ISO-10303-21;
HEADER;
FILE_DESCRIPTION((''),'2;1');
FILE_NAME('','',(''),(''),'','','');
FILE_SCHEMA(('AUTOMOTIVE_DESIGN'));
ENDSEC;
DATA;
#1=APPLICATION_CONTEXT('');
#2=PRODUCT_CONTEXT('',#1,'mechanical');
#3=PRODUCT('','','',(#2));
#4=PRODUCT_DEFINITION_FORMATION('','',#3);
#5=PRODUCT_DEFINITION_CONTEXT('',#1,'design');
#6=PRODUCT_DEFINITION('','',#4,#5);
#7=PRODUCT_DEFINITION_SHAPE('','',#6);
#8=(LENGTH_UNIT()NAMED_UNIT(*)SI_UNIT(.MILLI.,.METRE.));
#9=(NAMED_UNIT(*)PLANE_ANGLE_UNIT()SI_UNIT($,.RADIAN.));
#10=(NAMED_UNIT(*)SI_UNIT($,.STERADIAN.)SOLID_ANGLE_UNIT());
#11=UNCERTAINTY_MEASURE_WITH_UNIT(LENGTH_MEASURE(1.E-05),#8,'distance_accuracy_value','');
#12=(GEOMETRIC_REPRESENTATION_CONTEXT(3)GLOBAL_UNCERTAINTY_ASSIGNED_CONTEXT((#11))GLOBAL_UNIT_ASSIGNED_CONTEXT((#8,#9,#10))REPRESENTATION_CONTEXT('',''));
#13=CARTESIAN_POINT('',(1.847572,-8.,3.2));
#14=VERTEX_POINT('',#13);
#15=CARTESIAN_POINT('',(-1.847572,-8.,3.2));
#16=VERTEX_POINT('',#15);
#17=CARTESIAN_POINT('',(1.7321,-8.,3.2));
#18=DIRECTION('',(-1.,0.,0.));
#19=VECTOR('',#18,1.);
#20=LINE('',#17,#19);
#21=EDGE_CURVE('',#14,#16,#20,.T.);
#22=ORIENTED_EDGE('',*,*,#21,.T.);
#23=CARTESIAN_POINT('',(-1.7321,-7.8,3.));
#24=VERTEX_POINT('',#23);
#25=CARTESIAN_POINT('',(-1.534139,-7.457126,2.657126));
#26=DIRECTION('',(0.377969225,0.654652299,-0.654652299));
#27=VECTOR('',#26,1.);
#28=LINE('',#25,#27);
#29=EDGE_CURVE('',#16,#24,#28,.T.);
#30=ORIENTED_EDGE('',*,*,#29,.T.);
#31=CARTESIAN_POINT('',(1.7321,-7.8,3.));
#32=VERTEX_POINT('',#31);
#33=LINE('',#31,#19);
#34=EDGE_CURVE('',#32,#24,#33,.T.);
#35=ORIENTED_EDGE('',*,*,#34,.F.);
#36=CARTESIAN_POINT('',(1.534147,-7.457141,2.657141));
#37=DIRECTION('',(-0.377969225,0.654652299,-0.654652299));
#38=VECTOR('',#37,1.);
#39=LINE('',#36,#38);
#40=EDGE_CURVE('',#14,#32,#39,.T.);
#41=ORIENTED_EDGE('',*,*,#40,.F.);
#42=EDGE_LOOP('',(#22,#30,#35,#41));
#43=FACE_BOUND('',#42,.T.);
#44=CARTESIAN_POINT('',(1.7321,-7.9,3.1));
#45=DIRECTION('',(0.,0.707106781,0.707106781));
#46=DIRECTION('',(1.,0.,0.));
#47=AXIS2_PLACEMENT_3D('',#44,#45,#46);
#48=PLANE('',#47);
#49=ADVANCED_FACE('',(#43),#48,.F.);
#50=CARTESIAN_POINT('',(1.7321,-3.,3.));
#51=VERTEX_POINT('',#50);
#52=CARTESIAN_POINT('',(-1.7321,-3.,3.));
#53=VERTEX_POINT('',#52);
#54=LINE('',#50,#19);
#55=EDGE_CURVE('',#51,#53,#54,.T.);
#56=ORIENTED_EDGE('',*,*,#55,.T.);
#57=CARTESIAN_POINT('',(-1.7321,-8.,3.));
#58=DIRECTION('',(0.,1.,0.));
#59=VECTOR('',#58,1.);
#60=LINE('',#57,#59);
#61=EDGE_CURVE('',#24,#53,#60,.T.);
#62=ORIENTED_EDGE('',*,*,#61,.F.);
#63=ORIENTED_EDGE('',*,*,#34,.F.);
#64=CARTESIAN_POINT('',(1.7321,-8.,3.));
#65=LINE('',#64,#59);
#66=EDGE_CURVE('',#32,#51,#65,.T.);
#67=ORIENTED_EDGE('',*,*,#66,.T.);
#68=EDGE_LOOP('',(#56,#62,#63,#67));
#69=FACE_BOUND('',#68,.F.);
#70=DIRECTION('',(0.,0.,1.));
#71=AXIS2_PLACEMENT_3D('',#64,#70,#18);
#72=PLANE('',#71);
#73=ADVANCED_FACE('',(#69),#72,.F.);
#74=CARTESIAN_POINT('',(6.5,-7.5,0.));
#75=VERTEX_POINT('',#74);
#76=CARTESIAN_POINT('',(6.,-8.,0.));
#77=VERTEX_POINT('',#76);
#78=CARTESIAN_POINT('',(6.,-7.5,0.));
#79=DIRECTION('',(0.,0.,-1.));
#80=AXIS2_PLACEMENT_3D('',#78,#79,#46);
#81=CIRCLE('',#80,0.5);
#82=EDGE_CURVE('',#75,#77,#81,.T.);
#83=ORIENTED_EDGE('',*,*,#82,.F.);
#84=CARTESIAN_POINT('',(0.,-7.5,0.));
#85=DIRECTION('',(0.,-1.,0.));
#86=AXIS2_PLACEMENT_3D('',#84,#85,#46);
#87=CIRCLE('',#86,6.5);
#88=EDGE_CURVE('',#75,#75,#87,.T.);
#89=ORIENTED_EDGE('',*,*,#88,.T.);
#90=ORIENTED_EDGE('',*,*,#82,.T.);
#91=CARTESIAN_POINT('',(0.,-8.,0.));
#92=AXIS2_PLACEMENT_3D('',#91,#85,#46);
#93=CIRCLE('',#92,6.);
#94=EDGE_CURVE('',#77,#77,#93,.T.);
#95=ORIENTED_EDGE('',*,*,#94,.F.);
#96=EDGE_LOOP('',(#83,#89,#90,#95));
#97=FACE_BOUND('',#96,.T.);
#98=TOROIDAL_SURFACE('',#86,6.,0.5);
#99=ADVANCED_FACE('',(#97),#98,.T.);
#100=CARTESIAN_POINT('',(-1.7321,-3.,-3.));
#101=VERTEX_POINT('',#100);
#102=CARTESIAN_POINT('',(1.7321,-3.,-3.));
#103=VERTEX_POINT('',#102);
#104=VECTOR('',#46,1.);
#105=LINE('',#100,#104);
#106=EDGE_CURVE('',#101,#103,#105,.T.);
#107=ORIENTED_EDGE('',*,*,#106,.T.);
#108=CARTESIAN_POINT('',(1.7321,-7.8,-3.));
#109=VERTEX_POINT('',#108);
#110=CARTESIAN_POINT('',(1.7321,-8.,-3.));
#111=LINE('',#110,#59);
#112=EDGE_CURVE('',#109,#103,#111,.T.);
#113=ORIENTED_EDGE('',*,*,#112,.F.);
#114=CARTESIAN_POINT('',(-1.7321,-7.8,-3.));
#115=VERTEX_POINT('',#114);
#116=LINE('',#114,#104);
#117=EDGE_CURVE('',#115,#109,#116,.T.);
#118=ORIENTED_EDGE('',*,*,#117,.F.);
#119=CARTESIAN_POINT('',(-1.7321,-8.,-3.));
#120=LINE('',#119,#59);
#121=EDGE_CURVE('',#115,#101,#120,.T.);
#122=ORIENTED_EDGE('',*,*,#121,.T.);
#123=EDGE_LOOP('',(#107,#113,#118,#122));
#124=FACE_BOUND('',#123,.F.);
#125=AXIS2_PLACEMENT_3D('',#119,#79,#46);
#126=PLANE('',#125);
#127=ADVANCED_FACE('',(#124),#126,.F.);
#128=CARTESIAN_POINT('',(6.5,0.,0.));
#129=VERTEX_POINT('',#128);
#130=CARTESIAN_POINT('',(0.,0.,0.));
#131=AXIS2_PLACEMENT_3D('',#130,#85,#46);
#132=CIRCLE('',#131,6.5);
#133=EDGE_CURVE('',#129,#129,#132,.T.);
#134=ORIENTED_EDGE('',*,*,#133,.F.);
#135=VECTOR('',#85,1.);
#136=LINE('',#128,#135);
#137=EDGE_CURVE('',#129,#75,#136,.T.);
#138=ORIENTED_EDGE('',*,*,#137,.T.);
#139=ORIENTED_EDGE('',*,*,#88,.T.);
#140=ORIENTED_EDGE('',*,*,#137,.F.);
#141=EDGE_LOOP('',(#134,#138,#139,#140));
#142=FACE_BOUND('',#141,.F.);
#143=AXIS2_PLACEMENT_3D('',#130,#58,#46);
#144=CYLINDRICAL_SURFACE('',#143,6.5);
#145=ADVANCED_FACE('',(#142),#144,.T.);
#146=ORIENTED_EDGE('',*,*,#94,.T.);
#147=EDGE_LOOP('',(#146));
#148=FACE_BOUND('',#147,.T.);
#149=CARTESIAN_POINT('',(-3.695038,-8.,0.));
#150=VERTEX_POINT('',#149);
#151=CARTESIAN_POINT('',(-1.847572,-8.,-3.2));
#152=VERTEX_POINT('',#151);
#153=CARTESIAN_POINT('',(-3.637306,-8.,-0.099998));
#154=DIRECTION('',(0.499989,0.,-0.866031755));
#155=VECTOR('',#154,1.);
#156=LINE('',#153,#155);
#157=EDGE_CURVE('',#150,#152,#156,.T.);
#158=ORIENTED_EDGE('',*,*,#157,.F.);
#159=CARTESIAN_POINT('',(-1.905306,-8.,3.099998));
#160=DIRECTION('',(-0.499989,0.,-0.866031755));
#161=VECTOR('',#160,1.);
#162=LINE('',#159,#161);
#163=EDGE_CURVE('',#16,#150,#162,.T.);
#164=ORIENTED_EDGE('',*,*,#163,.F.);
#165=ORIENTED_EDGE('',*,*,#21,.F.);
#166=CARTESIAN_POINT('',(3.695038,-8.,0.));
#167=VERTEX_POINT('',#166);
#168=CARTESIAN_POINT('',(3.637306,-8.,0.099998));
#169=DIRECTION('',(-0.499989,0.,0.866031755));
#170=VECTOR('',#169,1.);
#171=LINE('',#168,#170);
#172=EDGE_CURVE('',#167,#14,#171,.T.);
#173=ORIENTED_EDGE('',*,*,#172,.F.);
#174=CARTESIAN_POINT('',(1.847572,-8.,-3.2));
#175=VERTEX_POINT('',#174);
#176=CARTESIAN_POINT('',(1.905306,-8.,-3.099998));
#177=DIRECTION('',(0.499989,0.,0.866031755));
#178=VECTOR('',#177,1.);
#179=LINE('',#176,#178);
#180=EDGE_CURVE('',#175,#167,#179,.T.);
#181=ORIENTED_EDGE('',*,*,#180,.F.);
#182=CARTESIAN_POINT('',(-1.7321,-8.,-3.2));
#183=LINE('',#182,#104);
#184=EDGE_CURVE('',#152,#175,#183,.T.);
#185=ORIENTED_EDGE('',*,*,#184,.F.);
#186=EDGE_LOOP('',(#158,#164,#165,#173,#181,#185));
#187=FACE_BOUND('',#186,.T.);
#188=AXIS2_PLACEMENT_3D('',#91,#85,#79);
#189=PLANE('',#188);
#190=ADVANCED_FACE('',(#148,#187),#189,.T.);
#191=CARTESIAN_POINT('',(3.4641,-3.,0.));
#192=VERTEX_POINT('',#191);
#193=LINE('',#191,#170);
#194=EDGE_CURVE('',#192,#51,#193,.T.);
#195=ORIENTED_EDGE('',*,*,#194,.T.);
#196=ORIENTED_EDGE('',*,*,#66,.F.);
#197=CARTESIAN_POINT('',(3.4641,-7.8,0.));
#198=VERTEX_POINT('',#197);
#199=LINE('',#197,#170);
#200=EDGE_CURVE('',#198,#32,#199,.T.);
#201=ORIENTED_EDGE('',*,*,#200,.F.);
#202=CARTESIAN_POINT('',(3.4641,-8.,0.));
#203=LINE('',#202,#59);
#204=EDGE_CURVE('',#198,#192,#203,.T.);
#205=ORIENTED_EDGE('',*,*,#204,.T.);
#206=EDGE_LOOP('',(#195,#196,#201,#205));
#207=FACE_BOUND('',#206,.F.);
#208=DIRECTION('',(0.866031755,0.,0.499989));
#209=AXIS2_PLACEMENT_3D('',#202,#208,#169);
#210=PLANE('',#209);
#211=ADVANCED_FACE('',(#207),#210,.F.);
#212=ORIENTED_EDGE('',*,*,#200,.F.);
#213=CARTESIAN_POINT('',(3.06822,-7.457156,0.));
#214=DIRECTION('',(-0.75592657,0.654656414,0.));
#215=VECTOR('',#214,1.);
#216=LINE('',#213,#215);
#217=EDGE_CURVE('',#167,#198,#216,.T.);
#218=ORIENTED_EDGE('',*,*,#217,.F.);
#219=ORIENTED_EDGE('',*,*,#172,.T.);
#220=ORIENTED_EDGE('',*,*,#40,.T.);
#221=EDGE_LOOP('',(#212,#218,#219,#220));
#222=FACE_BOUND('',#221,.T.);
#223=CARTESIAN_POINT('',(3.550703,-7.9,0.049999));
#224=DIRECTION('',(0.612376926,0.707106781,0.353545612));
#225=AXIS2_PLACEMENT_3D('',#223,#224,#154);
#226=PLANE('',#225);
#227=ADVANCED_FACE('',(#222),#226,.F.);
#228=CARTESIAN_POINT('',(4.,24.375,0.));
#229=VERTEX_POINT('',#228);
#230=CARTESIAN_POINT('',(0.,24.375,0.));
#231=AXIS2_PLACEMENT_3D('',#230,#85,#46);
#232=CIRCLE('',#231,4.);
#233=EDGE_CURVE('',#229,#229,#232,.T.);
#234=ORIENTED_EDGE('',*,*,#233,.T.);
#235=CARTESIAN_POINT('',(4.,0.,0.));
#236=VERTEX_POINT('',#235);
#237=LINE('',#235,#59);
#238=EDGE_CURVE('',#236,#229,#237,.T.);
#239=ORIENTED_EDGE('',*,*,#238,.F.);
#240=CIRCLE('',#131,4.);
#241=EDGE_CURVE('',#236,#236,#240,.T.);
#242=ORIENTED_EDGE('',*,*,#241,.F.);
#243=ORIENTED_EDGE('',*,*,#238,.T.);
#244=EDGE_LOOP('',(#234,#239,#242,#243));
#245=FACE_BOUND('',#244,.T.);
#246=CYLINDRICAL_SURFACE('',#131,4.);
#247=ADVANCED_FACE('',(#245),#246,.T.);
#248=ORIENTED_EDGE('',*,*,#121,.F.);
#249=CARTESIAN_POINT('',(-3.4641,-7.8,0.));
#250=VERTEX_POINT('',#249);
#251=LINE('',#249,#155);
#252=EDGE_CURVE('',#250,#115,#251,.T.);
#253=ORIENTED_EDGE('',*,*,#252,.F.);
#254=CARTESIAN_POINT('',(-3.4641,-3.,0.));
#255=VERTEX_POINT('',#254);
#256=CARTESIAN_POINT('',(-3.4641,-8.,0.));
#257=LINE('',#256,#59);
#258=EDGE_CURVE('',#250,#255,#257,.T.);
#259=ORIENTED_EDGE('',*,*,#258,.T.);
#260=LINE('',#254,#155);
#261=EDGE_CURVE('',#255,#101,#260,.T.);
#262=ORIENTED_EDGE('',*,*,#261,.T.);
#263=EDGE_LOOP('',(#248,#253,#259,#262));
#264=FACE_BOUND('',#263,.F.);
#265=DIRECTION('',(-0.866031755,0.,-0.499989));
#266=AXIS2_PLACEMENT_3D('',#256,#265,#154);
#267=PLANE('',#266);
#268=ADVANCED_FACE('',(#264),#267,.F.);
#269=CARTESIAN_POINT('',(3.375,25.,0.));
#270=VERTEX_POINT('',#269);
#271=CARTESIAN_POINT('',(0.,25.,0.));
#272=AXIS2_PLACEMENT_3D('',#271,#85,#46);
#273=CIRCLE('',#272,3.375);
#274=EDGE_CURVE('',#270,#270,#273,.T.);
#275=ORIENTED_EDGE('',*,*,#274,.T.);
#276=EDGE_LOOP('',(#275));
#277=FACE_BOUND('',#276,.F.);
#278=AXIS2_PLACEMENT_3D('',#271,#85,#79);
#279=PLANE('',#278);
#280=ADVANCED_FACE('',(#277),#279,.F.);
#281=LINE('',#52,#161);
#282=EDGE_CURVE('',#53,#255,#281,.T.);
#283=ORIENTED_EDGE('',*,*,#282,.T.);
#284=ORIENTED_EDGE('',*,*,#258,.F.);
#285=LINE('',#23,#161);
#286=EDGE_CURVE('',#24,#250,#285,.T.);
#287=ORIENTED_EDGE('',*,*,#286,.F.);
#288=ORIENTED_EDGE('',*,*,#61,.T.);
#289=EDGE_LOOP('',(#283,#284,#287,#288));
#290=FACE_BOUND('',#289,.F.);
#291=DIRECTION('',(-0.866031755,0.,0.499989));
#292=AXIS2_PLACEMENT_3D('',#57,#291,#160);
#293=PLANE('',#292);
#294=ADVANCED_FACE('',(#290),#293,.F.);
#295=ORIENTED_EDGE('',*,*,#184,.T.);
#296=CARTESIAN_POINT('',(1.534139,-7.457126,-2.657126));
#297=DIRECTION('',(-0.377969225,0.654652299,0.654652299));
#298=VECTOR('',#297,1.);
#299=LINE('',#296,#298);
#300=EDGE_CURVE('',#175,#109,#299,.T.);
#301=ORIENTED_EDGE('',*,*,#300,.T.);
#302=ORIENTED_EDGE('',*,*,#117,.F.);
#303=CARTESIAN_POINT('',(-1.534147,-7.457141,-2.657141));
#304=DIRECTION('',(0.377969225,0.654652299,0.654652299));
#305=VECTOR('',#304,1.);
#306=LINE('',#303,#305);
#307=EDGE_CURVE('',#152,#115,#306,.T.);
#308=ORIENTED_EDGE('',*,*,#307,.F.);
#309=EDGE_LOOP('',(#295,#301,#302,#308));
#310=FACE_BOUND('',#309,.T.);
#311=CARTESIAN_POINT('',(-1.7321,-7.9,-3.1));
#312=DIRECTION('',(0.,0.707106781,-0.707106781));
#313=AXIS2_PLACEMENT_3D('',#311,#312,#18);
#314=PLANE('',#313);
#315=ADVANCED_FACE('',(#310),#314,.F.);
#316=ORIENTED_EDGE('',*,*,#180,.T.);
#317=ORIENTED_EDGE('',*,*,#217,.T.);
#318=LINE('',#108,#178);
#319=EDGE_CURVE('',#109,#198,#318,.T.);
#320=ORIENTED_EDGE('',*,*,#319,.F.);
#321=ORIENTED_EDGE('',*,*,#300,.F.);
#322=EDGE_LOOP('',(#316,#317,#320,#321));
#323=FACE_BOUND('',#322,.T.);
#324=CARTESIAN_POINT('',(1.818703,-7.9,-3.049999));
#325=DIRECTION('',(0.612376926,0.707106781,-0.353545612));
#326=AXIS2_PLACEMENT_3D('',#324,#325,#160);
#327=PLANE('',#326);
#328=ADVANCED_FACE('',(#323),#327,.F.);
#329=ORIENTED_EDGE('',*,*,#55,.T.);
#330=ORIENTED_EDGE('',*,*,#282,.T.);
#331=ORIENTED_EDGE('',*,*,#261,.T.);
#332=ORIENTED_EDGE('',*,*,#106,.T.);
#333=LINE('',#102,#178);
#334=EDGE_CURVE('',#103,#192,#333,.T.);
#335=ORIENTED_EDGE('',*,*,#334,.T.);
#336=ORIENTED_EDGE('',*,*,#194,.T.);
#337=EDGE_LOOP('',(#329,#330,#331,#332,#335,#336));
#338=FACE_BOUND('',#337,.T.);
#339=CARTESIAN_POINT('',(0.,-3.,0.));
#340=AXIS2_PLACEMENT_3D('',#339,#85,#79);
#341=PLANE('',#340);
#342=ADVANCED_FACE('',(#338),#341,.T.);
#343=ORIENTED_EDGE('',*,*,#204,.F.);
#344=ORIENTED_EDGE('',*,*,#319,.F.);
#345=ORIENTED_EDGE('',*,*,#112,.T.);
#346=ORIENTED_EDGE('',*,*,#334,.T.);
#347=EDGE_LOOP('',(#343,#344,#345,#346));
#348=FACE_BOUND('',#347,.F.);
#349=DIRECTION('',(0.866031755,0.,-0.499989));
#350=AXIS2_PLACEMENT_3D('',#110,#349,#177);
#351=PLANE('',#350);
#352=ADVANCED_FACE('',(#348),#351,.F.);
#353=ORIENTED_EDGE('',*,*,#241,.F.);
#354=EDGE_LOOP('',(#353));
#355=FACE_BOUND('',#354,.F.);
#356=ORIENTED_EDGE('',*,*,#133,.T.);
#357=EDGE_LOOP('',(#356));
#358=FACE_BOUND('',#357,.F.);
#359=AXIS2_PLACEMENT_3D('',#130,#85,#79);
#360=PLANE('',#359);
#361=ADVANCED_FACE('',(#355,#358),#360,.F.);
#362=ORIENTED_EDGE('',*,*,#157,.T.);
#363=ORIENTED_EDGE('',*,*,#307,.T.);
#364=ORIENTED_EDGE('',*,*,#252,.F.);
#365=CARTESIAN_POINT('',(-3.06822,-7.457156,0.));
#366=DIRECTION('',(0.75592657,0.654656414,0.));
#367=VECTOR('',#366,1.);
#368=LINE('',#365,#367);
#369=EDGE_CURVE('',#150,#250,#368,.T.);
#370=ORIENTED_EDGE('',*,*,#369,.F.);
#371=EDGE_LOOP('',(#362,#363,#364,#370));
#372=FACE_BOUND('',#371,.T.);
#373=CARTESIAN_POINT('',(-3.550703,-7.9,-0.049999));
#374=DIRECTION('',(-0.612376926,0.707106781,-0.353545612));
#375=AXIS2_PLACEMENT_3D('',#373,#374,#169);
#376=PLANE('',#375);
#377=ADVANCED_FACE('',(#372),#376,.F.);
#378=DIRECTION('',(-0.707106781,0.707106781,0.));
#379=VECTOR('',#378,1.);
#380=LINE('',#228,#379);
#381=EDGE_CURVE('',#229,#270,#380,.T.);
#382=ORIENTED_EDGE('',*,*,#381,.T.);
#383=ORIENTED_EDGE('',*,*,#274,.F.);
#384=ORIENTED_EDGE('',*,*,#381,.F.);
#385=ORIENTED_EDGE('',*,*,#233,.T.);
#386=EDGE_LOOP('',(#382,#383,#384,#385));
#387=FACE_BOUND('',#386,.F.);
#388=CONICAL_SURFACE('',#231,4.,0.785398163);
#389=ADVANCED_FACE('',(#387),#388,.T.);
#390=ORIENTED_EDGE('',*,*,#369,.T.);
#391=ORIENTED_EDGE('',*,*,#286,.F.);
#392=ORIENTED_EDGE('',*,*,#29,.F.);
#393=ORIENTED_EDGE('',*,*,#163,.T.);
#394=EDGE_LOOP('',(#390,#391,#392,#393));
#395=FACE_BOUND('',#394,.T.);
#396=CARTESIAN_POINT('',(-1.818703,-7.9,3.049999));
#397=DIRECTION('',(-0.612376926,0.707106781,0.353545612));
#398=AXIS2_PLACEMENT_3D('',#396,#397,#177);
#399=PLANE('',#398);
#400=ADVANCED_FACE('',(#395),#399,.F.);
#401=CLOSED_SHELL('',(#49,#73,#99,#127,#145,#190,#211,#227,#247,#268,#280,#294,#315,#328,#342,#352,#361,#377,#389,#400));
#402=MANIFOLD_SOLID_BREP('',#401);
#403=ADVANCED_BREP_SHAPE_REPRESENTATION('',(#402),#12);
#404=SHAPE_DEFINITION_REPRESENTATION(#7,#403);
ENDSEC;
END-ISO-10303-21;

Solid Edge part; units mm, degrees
sketch "Sketch1" plane through (0, 0, 0) normal (0, -1, 0) x (1, 0, 0)
  circle A0 centre (0, 0) radius 4
  dimension "D1" = 8
extrude "Protrusion1" add sketch "Sketch1" against normal blind 25
sketch "Sketch2" plane through (0, 0, 0) normal (0, -1, 0) x (1, 0, 0)
  circle A0 centre (0, 0) radius 6.5
extrude "Protrusion2" add sketch "Sketch2" along normal blind 8
sketch "Sketch3" plane through (0, -8, 0) normal (0, -1, 0) x (1, 0, 0)
  line L0 (-1.7321, -3) -> (1.7321, -3)
  line L1 (1.7321, -3) -> (3.4641, 0)
  line L2 (3.4641, 0) -> (1.7321, 3)
  line L3 (1.7321, 3) -> (-1.7321, 3)
  line L4 (-1.7321, 3) -> (-3.4641, 0)
  line L5 (-3.4641, 0) -> (-1.7321, -3)
extrude "Cutout1" cut sketch "Sketch3" against normal blind 5
fillet "Round1" radius 0.5 1 edges at (-6.5, -8, 0)
chamfer "Chamfer1" distance 0.625 angle 45 1 edges at (-4, 25, 0)
chamfer "Chamfer2" distance 0.2 angle 45 6 edges at (0, -8, 3) (-2.5981, -8, 1.5) (-2.5981, -8, -1.5) (0, -8, -3) (2.5981, -8, -1.5) (2.5981, -8, 1.5)
cosmetic_thread "Thread1" size "Tr 8 x 2"
properties part number "16" material "Stainless steel"
